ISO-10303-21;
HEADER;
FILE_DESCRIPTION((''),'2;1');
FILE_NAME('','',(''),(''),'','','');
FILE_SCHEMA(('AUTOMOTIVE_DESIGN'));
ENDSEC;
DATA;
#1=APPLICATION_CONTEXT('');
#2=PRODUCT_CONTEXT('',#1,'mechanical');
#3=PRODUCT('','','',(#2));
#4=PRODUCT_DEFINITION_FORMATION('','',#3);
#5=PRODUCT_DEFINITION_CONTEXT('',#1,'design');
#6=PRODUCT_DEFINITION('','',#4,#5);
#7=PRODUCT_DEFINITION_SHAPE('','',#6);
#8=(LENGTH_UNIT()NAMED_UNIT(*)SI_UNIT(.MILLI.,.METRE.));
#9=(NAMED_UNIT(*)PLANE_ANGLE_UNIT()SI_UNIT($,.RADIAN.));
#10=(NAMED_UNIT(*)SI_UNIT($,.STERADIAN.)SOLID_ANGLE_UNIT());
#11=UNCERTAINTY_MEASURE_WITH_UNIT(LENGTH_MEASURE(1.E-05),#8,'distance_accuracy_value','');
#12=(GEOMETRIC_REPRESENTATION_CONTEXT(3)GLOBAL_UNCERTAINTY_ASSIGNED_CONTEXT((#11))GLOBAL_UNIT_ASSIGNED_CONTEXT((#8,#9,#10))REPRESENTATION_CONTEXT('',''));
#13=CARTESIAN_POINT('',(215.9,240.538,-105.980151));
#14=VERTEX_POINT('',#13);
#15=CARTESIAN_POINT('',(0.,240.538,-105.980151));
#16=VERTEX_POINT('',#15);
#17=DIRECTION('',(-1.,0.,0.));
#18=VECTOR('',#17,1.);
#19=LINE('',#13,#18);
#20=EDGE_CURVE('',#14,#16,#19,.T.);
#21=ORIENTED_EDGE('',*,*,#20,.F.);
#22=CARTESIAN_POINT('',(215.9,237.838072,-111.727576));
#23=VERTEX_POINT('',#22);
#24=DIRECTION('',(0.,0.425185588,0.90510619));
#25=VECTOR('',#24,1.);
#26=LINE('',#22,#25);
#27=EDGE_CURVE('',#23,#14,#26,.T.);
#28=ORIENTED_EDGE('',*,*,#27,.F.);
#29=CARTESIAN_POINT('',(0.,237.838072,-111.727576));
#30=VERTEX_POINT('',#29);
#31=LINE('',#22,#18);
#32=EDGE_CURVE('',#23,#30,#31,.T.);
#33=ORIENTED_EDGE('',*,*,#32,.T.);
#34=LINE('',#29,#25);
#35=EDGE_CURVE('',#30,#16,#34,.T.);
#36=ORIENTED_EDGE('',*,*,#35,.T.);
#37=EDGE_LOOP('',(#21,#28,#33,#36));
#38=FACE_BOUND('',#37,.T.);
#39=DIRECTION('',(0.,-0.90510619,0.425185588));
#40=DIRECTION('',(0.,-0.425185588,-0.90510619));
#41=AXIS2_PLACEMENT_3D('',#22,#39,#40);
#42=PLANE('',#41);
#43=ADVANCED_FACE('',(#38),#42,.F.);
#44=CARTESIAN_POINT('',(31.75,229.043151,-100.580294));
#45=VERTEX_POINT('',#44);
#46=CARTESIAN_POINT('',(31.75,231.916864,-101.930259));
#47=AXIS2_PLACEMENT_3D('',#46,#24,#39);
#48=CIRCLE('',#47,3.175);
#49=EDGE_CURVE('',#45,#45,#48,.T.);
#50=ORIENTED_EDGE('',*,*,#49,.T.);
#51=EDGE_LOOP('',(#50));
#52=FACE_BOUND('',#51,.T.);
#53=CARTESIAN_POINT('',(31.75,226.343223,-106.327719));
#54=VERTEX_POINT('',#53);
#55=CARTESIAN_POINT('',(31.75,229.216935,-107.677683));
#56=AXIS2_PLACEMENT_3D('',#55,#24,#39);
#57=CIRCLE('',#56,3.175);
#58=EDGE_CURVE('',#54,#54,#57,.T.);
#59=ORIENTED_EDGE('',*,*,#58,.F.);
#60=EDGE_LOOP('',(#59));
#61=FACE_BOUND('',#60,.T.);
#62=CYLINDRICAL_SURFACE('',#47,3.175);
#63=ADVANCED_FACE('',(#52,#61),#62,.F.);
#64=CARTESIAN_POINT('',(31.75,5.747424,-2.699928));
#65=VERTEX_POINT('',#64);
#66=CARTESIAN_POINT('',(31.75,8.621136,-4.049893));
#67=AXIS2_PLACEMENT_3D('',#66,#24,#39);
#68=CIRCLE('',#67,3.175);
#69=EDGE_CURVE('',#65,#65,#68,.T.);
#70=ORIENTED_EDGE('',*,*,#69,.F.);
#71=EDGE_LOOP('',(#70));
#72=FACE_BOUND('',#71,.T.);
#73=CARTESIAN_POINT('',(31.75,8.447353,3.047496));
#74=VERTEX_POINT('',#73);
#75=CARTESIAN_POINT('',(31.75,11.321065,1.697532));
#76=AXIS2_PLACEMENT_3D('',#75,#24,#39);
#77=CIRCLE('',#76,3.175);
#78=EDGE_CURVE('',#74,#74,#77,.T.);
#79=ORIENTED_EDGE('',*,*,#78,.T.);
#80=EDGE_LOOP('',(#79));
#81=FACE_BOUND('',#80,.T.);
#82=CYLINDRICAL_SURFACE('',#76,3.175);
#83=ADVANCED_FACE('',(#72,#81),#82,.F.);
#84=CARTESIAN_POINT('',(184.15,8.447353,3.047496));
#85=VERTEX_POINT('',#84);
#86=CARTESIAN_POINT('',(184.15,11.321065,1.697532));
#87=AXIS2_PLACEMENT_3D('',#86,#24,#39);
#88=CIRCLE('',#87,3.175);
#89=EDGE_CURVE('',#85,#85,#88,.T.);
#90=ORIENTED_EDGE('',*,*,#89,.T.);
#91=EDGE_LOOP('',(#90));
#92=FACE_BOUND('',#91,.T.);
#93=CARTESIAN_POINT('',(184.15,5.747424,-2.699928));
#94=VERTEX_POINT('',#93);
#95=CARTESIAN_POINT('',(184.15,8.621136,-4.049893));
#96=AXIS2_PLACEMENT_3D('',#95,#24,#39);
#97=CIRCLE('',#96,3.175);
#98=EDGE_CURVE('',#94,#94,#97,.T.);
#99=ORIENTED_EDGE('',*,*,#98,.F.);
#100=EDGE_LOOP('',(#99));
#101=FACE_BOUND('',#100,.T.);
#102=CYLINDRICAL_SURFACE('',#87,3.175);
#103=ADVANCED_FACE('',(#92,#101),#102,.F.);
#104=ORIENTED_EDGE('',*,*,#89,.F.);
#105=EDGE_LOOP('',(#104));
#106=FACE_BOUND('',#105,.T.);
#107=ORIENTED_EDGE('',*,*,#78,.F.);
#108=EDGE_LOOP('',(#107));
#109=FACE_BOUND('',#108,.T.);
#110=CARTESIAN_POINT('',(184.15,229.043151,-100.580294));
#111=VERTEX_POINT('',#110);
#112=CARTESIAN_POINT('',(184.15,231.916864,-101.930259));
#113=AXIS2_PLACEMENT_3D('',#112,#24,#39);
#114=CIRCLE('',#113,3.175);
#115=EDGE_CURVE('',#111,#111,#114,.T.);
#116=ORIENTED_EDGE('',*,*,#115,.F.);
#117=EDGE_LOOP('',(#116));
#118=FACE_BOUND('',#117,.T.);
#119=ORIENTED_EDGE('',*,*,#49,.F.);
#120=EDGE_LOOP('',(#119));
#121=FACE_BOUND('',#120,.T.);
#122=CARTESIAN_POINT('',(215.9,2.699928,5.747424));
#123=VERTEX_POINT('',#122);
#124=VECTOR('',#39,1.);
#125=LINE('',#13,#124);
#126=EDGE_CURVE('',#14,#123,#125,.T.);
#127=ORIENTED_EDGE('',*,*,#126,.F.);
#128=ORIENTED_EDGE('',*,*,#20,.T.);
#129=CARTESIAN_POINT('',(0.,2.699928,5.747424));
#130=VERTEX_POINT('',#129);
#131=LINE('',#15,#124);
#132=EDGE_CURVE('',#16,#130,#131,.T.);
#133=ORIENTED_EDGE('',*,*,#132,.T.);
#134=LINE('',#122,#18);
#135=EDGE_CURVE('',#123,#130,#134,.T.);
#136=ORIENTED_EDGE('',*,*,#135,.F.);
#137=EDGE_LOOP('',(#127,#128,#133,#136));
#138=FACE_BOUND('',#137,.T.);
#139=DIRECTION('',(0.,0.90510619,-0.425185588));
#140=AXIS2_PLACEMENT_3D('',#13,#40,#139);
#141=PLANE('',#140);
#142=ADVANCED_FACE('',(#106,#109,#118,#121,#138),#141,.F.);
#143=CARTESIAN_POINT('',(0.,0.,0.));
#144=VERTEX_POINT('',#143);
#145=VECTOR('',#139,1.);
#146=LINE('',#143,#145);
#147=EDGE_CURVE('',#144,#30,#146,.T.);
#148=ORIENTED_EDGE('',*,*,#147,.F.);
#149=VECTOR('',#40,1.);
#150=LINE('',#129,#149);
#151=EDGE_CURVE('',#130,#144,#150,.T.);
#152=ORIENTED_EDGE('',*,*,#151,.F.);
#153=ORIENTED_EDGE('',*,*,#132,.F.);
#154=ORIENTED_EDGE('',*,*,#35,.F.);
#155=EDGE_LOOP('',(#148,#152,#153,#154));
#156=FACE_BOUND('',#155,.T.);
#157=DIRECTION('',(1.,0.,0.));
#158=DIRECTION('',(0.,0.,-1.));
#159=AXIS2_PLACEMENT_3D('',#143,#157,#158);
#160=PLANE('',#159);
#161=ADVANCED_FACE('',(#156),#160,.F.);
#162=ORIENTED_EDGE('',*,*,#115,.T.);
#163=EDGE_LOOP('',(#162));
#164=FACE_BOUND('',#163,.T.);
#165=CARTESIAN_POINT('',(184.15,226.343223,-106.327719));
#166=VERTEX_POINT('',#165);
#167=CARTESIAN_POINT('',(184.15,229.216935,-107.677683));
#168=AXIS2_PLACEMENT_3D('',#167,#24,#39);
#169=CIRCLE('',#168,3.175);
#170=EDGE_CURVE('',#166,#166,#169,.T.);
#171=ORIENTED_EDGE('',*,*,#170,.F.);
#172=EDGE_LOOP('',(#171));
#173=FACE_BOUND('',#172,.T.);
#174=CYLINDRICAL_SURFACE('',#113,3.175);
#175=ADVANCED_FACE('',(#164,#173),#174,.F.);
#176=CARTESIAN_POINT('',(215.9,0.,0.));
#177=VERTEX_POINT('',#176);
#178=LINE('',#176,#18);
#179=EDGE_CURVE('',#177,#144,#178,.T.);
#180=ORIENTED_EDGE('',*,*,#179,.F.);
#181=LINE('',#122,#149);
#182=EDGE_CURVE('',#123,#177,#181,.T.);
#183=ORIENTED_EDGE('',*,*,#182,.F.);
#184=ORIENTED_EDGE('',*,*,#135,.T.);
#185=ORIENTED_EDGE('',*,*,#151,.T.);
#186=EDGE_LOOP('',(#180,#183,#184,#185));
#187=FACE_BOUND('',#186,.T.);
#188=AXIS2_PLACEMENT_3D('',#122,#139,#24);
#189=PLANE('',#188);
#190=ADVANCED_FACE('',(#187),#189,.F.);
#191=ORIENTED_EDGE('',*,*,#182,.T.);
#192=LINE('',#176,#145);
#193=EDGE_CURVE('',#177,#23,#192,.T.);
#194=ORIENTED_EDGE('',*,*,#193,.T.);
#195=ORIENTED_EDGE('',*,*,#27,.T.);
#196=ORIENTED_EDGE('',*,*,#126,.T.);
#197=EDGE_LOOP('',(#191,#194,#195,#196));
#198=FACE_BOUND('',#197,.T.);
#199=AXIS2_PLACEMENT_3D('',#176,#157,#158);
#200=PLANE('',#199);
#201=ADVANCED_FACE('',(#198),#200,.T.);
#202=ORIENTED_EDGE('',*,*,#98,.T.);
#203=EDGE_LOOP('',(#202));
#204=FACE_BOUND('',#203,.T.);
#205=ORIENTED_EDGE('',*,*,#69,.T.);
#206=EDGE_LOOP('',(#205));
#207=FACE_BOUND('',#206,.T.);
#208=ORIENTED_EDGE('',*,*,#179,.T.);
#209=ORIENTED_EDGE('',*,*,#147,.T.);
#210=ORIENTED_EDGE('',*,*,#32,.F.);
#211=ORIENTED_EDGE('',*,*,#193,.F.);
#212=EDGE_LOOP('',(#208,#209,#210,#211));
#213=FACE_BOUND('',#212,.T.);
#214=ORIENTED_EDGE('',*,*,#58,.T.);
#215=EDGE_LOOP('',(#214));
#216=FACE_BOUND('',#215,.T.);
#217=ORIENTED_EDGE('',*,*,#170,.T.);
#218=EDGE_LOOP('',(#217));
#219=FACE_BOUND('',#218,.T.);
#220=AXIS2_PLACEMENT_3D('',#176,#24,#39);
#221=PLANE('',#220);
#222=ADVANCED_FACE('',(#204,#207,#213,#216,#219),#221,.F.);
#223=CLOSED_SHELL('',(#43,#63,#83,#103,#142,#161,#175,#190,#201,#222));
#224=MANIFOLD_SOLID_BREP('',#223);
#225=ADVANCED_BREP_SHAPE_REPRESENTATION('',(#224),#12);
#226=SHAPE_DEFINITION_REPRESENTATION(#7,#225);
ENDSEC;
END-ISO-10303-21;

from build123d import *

# Parameters (mm, degrees)
BOSS_EXTRUDE1_DEPTH         = 215.9
F_1_4_0_25_DIAMETER_HOLE1_D = 6.35


with BuildPart() as part:
    # Sketch1 → Boss-Extrude1 (new body)
    with BuildSketch(Plane(origin=(0, 0, 0), x_dir=(0, 0, -1), z_dir=(1, 0, 0))):
        Polygon((0, 0), (111.727575693, 237.838071514), (105.980151385, 240.538), (-5.747424307, 2.699928486), align=None)
    extrude(amount=BOSS_EXTRUDE1_DEPTH)

    # 1/4 (0.25) Diameter Hole1 (through all)
    with Locations(Plane(origin=(0, 2.699928486, 5.747424307), x_dir=(1, 0, 0), z_dir=(0, 0.425185588, 0.90510619))):
        with Locations((31.75, 253.248665788), (184.15, 253.248665788), (184.15, 9.525), (31.75, 9.525)):
            Hole(F_1_4_0_25_DIAMETER_HOLE1_D / 2)


solid = part.part
